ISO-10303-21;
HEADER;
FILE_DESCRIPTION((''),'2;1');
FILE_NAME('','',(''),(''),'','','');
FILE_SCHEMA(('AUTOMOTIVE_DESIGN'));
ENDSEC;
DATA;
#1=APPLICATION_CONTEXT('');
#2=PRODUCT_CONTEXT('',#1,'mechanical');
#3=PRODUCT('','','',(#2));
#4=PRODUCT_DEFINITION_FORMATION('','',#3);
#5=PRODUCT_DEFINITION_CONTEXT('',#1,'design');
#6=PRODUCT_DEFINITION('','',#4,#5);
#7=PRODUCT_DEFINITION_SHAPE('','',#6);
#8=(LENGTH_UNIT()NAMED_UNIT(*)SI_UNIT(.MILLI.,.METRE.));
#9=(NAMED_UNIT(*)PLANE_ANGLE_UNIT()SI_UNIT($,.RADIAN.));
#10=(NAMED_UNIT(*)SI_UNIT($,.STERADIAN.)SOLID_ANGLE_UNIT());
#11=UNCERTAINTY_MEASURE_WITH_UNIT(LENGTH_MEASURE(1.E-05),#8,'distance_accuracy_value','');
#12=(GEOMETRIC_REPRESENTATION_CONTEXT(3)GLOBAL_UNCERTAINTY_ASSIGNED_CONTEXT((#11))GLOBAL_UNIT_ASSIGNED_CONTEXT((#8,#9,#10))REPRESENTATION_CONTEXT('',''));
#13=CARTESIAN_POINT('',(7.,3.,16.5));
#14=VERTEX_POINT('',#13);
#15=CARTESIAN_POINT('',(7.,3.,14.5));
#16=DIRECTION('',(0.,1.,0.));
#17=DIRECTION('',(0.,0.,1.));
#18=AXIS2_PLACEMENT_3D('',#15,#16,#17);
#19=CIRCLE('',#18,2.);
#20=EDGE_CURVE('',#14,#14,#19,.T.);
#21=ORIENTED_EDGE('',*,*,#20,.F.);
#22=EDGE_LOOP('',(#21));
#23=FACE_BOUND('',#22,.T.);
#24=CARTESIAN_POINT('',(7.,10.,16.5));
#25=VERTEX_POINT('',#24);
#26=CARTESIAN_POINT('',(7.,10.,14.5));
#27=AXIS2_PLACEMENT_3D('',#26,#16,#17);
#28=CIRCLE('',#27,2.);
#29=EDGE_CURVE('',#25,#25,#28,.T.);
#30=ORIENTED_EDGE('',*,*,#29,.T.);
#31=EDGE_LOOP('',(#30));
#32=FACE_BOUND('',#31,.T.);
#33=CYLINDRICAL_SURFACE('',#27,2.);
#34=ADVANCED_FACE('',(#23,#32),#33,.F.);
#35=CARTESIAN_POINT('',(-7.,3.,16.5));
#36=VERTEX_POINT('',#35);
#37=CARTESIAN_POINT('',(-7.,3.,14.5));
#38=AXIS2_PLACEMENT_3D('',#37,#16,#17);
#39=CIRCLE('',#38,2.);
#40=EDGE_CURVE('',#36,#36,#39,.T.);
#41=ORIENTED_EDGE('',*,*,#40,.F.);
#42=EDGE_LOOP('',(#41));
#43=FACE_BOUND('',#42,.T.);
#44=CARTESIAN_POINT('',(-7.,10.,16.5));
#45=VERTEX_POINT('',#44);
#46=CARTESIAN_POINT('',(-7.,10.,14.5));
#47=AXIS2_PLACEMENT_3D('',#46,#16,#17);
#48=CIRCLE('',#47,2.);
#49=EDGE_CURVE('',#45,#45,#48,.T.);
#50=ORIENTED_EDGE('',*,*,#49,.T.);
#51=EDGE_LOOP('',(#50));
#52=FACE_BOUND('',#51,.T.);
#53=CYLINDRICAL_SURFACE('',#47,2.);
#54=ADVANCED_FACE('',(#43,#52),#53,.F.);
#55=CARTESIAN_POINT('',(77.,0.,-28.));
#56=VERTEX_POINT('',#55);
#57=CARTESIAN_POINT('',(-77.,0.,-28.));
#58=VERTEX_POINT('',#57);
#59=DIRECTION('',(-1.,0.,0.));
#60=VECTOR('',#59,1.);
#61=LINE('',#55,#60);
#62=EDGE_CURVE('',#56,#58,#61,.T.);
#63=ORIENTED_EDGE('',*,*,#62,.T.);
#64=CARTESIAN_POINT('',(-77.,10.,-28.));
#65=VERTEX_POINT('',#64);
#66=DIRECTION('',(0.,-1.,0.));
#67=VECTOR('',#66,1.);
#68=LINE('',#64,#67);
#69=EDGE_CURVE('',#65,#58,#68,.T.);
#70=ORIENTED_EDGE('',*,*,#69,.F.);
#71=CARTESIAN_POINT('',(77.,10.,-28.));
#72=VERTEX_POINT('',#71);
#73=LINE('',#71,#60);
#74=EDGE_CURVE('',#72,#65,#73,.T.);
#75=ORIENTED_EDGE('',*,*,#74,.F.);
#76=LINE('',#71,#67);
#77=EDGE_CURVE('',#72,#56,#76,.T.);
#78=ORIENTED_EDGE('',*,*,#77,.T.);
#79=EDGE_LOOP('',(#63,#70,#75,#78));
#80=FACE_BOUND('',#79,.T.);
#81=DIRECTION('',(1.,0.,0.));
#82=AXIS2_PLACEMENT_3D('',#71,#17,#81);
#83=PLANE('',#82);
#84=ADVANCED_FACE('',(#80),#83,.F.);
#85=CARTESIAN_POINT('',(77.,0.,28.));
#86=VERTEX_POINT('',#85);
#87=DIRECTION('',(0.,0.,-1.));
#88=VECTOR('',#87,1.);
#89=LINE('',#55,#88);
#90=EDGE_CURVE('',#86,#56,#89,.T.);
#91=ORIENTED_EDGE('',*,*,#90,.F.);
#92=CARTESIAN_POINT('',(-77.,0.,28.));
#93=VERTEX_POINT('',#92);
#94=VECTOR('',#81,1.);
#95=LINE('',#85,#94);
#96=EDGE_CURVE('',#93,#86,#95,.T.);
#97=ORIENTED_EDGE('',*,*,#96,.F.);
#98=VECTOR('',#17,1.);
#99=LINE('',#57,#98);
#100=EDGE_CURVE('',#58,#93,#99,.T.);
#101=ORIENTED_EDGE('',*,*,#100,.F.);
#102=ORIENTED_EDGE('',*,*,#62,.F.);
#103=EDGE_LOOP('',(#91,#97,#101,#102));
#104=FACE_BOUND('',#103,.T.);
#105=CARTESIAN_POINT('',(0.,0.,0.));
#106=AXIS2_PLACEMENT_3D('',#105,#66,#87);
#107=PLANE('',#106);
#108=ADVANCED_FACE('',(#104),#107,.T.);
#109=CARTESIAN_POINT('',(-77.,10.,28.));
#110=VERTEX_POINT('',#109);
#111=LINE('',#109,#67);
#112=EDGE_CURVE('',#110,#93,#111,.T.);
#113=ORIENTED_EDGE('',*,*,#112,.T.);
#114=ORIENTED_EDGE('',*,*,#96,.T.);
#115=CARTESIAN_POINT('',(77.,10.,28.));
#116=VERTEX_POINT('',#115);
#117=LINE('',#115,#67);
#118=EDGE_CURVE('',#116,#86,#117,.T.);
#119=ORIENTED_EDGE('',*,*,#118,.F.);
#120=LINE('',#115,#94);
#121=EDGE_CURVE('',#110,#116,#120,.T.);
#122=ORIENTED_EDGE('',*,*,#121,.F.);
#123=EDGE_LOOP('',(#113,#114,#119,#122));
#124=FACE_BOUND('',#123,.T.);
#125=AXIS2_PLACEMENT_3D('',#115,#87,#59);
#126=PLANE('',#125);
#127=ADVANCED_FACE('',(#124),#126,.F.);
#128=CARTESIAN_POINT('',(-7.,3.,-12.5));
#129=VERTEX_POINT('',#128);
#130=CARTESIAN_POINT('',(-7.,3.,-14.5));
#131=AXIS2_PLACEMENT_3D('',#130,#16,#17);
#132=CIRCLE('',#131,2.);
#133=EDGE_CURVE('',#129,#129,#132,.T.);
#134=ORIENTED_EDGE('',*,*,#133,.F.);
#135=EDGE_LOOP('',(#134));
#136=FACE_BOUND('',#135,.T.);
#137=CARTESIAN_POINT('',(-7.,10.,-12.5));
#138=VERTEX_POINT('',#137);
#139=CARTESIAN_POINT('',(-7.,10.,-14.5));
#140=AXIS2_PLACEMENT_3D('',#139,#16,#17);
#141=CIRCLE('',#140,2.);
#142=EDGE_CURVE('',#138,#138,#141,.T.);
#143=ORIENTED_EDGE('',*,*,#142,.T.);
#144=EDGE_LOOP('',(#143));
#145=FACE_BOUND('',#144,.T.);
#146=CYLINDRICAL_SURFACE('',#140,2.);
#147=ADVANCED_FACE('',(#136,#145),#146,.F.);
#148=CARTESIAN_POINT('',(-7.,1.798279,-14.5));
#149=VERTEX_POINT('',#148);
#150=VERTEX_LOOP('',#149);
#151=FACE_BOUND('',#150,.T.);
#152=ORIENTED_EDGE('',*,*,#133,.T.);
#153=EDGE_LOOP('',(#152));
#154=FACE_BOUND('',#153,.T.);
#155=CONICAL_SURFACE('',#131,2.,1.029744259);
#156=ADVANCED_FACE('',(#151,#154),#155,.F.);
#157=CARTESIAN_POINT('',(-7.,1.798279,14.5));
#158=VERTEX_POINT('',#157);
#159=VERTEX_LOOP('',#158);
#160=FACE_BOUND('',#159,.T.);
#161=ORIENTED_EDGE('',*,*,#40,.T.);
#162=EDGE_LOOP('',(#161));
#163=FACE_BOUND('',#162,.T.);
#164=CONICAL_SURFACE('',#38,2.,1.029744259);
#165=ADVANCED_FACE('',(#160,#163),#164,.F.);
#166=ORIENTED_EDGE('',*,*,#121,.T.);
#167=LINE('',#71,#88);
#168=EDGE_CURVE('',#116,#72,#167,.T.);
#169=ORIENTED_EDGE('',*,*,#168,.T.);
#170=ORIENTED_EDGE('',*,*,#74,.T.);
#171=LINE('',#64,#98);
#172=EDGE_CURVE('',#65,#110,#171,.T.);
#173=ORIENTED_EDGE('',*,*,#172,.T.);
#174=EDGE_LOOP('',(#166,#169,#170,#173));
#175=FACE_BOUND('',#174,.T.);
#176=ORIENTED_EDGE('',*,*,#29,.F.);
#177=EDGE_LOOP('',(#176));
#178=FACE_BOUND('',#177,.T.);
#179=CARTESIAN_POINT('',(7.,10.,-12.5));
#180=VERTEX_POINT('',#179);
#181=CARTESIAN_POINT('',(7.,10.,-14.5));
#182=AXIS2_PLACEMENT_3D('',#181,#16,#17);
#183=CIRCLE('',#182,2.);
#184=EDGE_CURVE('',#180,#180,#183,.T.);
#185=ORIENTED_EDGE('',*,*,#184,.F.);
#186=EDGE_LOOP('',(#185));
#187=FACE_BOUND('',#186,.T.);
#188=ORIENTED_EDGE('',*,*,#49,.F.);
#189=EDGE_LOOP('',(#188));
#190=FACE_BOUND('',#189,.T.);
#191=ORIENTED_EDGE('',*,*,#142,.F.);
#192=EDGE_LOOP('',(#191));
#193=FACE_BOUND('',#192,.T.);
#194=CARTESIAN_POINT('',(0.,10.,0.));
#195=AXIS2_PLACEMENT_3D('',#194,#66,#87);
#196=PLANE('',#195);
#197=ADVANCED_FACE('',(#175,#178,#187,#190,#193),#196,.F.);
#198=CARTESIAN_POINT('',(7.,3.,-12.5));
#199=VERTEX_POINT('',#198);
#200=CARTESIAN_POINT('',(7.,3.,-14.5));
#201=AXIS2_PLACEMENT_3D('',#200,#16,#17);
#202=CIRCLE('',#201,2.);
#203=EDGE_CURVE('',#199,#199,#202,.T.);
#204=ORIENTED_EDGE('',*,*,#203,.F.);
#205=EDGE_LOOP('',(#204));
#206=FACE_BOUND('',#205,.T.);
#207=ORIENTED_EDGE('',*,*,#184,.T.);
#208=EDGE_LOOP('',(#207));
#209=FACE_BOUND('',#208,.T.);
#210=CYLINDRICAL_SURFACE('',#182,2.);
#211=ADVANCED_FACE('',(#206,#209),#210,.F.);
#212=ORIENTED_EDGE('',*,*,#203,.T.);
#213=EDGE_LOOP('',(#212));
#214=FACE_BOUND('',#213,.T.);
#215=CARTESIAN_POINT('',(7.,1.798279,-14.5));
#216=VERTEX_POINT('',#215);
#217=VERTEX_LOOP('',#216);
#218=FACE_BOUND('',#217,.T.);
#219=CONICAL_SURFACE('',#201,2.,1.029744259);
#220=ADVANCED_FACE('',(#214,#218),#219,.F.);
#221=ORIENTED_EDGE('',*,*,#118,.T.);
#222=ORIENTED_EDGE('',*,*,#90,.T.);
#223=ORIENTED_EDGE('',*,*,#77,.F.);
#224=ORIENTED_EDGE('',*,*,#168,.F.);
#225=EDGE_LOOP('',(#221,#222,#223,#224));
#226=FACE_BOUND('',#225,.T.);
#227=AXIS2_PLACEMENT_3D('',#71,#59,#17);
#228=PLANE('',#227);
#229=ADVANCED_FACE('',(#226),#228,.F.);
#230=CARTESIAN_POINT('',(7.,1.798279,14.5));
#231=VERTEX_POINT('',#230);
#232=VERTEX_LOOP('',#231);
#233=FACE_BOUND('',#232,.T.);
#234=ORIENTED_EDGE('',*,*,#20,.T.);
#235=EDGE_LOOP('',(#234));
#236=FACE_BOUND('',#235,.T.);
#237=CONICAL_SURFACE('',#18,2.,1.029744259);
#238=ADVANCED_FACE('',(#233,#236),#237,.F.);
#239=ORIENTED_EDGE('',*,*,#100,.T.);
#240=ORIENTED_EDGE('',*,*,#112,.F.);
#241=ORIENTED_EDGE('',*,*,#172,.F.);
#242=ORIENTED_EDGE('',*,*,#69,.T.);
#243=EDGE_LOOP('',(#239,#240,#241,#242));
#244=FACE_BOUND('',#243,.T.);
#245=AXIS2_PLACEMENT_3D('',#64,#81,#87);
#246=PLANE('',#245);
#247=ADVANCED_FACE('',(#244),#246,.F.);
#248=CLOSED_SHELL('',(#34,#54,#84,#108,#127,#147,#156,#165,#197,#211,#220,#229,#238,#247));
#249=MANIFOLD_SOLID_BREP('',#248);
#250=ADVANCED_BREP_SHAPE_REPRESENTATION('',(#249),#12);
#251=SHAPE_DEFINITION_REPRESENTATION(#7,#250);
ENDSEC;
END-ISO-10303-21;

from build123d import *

# Parameters (mm, degrees)
SKETCH1_W                 = 154
SKETCH1_H                 = 56
BOSS_EXTRUDE1_DEPTH       = 10
F_4_0MM_DOWEL_HOLE3_D     = 4
F_4_0MM_DOWEL_HOLE3_DEPTH = 7
F_4_0MM_DOWEL_HOLE3_TIP   = 1.201721238


with BuildPart() as part:
    # Sketch1 → Boss-Extrude1 (new body)
    with BuildSketch(Plane(origin=(0, 0, 0), x_dir=(1, 0, 0), z_dir=(0, 1, 0))):
        Rectangle(SKETCH1_W, SKETCH1_H)
    extrude(amount=BOSS_EXTRUDE1_DEPTH)

    # Ø4.0mm Dowel Hole3
    with Locations(Plane(origin=(-7, 10, -14.5), x_dir=(0, 0, 1), z_dir=(0, 1, 0))):
        with Locations((0, 0), (29, 0), (29, 14), (0, 14)):
            Hole(F_4_0MM_DOWEL_HOLE3_D / 2, depth=F_4_0MM_DOWEL_HOLE3_DEPTH)
            with Locations((0, 0, -(F_4_0MM_DOWEL_HOLE3_DEPTH + F_4_0MM_DOWEL_HOLE3_TIP / 2))):  # 118° drill point
                Cone(0, F_4_0MM_DOWEL_HOLE3_D / 2, F_4_0MM_DOWEL_HOLE3_TIP, mode=Mode.SUBTRACT)


solid = part.part
